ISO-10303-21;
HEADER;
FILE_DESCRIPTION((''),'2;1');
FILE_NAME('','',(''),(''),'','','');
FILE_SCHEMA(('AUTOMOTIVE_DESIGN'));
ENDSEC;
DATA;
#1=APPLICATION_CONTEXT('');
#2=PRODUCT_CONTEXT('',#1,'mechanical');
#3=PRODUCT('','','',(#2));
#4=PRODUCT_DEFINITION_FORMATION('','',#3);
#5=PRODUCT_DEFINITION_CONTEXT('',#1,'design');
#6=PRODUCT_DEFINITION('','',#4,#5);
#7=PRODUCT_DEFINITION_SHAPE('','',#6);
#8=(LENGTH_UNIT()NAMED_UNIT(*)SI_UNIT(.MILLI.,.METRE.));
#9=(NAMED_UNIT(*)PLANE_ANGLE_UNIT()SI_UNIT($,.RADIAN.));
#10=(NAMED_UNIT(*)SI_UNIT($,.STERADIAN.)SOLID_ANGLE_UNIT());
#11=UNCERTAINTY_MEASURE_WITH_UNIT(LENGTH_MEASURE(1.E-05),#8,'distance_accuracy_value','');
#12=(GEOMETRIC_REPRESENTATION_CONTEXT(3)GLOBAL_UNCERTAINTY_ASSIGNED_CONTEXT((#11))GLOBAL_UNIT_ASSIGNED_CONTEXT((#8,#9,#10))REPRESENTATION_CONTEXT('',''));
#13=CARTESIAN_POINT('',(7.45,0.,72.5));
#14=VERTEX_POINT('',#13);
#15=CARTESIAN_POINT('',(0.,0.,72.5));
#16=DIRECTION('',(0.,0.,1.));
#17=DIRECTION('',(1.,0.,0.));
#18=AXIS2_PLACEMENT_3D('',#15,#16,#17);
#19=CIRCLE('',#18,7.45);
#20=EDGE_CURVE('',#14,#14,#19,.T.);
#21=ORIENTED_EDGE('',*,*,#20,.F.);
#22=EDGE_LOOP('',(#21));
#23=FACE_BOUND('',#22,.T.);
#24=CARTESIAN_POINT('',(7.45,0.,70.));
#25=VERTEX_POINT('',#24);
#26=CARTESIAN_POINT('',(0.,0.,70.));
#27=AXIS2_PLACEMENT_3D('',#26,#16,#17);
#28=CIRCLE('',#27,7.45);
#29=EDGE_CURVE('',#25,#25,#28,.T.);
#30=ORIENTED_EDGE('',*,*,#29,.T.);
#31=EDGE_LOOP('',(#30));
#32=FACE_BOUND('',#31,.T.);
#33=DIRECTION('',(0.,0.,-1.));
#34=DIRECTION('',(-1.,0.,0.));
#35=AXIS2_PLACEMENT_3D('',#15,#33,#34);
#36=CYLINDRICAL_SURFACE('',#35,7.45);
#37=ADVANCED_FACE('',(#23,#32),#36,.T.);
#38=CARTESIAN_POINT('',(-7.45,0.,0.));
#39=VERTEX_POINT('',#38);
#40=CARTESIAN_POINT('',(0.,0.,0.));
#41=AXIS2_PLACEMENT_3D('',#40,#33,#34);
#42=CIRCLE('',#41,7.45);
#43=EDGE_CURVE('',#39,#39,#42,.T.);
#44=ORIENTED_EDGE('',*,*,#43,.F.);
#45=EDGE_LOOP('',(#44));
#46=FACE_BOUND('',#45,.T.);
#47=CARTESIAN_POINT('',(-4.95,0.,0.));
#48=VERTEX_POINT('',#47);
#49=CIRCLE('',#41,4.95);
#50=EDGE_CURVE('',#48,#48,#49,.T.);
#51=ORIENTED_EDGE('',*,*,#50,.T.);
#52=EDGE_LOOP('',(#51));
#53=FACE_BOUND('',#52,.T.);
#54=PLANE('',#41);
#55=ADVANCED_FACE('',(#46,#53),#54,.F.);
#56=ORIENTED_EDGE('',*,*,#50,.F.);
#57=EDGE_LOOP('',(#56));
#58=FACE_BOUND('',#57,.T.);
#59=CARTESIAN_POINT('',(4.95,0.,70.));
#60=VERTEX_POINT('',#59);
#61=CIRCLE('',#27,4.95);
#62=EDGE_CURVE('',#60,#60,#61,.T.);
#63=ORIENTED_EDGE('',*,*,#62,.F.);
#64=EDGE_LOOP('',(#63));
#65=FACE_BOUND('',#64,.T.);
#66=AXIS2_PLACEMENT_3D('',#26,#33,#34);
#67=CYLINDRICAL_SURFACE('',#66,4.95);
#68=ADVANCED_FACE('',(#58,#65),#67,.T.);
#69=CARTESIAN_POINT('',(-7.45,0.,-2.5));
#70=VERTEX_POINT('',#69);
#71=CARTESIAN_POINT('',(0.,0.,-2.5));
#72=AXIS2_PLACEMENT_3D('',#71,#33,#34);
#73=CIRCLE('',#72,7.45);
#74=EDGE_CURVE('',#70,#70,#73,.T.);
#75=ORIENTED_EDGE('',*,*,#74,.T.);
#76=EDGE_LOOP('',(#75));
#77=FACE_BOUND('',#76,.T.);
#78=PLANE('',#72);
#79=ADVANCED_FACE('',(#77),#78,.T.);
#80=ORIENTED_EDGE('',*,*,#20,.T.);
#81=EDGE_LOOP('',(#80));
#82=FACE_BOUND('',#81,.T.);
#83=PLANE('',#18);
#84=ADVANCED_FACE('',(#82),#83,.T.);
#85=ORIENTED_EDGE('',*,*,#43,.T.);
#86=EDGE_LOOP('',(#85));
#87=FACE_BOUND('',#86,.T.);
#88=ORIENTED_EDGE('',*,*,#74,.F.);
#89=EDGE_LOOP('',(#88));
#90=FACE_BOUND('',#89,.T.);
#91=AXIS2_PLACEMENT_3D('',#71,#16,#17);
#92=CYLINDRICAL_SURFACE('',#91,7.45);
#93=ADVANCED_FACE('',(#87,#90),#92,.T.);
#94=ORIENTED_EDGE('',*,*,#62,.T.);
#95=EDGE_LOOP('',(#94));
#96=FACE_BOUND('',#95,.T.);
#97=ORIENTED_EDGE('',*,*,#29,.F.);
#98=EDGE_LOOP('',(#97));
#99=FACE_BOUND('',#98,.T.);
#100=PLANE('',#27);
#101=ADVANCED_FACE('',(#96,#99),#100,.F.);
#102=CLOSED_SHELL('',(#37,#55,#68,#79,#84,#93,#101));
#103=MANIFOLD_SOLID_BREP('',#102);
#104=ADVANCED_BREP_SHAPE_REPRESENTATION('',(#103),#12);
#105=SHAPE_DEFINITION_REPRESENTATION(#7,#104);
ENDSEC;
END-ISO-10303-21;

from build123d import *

# Parameters (mm, degrees)
SKETCH1_R           = 4.95
BOSS_EXTRUDE1_DEPTH = 70
SKETCH2_R           = 7.45
BOSS_EXTRUDE2_DEPTH = 2.5
SKETCH3_R           = 7.45
BOSS_EXTRUDE3_DEPTH = 2.5


with BuildPart() as part:
    # Sketch1 → Boss-Extrude1 (new body)
    with BuildSketch(Plane.XY):
        Circle(SKETCH1_R)
    extrude(amount=BOSS_EXTRUDE1_DEPTH)

    # Sketch2 → Boss-Extrude2 (add)
    with BuildSketch(Plane(origin=(0, 0, 0), x_dir=(-1, 0, 0), z_dir=(0, 0, -1))):
        Circle(SKETCH2_R)
    extrude(amount=BOSS_EXTRUDE2_DEPTH)

    # Sketch3 → Boss-Extrude3 (add)
    with BuildSketch(Plane.XY.offset(70)):
        Circle(SKETCH3_R)
    extrude(amount=BOSS_EXTRUDE3_DEPTH)


solid = part.part
